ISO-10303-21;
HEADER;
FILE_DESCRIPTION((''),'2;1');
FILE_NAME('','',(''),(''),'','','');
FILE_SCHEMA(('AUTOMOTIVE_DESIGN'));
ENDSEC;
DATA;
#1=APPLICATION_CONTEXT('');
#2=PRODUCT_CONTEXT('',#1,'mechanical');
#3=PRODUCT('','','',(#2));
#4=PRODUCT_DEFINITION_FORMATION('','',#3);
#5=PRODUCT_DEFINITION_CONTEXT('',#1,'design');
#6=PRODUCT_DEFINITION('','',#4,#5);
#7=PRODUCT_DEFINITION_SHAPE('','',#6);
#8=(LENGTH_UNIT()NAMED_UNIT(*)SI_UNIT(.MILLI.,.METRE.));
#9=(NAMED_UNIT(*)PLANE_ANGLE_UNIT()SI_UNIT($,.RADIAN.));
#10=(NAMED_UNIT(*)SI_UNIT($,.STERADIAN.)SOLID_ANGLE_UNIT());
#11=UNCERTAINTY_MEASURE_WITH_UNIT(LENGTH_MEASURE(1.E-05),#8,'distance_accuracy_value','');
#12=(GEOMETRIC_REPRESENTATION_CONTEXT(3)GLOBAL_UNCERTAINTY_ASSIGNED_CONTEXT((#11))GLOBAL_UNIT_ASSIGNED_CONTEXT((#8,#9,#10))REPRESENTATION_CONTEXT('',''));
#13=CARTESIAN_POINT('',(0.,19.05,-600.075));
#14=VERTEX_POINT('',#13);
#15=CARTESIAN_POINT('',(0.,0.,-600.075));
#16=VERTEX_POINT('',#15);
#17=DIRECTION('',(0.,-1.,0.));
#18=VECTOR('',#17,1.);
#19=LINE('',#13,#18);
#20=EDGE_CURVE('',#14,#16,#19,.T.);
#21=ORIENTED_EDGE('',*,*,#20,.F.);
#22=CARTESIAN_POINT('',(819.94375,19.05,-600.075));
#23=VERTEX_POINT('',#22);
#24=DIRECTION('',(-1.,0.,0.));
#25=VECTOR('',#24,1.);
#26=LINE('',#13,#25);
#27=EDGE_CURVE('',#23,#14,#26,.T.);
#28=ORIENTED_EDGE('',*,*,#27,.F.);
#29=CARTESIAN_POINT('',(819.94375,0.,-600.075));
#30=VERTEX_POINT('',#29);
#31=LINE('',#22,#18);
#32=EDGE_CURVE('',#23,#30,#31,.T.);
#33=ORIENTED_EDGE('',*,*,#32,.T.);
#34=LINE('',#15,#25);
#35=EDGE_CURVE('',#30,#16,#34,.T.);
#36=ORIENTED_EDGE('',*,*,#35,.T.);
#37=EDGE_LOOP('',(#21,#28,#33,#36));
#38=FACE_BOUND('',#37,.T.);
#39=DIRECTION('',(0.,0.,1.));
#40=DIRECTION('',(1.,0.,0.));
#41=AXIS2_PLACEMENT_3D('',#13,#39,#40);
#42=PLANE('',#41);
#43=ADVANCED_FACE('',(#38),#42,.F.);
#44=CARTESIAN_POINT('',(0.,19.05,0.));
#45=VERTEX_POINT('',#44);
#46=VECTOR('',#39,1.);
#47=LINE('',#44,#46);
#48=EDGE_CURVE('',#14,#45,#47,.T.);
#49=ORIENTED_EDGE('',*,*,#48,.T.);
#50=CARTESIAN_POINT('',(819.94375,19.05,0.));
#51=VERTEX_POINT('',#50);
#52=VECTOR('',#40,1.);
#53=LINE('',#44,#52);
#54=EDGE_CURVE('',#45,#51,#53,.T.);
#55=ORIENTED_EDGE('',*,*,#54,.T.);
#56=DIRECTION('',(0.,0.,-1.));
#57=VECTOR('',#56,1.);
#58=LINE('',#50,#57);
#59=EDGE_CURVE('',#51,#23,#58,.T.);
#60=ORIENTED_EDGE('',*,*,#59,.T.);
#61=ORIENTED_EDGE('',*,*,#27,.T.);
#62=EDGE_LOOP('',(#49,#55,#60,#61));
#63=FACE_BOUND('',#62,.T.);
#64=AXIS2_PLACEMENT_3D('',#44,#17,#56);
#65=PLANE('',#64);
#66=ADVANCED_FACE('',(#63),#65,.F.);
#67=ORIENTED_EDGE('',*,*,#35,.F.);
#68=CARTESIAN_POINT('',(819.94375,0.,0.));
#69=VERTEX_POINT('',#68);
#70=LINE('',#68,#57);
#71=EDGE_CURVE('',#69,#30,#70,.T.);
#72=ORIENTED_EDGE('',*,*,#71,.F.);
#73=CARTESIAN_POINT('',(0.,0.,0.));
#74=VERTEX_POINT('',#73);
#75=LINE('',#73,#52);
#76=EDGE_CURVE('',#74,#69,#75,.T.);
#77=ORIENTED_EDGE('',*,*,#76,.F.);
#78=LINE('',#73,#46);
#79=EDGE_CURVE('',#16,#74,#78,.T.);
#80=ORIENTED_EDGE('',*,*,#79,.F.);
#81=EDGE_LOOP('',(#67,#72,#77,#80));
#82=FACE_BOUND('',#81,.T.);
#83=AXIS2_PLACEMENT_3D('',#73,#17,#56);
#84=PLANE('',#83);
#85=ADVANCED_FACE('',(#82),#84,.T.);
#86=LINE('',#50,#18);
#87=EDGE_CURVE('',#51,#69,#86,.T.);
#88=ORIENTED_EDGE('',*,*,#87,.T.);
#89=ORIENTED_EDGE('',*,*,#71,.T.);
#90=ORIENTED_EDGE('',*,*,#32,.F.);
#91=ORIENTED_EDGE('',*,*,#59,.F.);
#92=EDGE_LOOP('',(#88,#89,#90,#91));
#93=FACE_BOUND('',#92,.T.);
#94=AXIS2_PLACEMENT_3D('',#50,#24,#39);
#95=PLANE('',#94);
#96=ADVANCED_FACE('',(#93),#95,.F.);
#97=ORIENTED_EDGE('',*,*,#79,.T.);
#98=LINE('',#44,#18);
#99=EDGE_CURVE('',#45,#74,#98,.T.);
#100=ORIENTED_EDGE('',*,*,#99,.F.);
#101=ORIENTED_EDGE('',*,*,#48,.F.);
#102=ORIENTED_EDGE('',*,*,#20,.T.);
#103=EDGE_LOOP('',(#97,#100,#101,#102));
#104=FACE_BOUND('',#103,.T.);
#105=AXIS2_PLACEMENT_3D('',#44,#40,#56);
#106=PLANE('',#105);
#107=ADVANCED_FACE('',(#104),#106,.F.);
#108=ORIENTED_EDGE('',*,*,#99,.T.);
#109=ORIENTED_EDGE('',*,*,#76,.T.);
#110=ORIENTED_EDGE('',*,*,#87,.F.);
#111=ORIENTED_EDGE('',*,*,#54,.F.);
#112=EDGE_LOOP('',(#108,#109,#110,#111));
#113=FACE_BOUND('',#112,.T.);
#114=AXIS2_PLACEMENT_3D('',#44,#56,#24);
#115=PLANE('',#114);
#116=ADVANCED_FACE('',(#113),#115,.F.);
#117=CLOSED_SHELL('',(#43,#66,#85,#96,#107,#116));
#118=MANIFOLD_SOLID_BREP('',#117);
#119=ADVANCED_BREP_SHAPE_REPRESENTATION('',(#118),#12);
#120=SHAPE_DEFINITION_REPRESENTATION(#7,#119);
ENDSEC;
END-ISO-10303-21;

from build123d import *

# Parameters (mm, degrees)
SKETCH1_W           = 819.94375
SKETCH1_H           = 600.075
BOSS_EXTRUDE1_DEPTH = 19.05


with BuildPart() as part:
    # Sketch1 → Boss-Extrude1 (new body)
    with BuildSketch(Plane(origin=(0, 0, 0), x_dir=(1, 0, 0), z_dir=(0, 1, 0))):
        with Locations((409.971875, 300.0375)):
            Rectangle(SKETCH1_W, SKETCH1_H)
    extrude(amount=BOSS_EXTRUDE1_DEPTH)


solid = part.part
